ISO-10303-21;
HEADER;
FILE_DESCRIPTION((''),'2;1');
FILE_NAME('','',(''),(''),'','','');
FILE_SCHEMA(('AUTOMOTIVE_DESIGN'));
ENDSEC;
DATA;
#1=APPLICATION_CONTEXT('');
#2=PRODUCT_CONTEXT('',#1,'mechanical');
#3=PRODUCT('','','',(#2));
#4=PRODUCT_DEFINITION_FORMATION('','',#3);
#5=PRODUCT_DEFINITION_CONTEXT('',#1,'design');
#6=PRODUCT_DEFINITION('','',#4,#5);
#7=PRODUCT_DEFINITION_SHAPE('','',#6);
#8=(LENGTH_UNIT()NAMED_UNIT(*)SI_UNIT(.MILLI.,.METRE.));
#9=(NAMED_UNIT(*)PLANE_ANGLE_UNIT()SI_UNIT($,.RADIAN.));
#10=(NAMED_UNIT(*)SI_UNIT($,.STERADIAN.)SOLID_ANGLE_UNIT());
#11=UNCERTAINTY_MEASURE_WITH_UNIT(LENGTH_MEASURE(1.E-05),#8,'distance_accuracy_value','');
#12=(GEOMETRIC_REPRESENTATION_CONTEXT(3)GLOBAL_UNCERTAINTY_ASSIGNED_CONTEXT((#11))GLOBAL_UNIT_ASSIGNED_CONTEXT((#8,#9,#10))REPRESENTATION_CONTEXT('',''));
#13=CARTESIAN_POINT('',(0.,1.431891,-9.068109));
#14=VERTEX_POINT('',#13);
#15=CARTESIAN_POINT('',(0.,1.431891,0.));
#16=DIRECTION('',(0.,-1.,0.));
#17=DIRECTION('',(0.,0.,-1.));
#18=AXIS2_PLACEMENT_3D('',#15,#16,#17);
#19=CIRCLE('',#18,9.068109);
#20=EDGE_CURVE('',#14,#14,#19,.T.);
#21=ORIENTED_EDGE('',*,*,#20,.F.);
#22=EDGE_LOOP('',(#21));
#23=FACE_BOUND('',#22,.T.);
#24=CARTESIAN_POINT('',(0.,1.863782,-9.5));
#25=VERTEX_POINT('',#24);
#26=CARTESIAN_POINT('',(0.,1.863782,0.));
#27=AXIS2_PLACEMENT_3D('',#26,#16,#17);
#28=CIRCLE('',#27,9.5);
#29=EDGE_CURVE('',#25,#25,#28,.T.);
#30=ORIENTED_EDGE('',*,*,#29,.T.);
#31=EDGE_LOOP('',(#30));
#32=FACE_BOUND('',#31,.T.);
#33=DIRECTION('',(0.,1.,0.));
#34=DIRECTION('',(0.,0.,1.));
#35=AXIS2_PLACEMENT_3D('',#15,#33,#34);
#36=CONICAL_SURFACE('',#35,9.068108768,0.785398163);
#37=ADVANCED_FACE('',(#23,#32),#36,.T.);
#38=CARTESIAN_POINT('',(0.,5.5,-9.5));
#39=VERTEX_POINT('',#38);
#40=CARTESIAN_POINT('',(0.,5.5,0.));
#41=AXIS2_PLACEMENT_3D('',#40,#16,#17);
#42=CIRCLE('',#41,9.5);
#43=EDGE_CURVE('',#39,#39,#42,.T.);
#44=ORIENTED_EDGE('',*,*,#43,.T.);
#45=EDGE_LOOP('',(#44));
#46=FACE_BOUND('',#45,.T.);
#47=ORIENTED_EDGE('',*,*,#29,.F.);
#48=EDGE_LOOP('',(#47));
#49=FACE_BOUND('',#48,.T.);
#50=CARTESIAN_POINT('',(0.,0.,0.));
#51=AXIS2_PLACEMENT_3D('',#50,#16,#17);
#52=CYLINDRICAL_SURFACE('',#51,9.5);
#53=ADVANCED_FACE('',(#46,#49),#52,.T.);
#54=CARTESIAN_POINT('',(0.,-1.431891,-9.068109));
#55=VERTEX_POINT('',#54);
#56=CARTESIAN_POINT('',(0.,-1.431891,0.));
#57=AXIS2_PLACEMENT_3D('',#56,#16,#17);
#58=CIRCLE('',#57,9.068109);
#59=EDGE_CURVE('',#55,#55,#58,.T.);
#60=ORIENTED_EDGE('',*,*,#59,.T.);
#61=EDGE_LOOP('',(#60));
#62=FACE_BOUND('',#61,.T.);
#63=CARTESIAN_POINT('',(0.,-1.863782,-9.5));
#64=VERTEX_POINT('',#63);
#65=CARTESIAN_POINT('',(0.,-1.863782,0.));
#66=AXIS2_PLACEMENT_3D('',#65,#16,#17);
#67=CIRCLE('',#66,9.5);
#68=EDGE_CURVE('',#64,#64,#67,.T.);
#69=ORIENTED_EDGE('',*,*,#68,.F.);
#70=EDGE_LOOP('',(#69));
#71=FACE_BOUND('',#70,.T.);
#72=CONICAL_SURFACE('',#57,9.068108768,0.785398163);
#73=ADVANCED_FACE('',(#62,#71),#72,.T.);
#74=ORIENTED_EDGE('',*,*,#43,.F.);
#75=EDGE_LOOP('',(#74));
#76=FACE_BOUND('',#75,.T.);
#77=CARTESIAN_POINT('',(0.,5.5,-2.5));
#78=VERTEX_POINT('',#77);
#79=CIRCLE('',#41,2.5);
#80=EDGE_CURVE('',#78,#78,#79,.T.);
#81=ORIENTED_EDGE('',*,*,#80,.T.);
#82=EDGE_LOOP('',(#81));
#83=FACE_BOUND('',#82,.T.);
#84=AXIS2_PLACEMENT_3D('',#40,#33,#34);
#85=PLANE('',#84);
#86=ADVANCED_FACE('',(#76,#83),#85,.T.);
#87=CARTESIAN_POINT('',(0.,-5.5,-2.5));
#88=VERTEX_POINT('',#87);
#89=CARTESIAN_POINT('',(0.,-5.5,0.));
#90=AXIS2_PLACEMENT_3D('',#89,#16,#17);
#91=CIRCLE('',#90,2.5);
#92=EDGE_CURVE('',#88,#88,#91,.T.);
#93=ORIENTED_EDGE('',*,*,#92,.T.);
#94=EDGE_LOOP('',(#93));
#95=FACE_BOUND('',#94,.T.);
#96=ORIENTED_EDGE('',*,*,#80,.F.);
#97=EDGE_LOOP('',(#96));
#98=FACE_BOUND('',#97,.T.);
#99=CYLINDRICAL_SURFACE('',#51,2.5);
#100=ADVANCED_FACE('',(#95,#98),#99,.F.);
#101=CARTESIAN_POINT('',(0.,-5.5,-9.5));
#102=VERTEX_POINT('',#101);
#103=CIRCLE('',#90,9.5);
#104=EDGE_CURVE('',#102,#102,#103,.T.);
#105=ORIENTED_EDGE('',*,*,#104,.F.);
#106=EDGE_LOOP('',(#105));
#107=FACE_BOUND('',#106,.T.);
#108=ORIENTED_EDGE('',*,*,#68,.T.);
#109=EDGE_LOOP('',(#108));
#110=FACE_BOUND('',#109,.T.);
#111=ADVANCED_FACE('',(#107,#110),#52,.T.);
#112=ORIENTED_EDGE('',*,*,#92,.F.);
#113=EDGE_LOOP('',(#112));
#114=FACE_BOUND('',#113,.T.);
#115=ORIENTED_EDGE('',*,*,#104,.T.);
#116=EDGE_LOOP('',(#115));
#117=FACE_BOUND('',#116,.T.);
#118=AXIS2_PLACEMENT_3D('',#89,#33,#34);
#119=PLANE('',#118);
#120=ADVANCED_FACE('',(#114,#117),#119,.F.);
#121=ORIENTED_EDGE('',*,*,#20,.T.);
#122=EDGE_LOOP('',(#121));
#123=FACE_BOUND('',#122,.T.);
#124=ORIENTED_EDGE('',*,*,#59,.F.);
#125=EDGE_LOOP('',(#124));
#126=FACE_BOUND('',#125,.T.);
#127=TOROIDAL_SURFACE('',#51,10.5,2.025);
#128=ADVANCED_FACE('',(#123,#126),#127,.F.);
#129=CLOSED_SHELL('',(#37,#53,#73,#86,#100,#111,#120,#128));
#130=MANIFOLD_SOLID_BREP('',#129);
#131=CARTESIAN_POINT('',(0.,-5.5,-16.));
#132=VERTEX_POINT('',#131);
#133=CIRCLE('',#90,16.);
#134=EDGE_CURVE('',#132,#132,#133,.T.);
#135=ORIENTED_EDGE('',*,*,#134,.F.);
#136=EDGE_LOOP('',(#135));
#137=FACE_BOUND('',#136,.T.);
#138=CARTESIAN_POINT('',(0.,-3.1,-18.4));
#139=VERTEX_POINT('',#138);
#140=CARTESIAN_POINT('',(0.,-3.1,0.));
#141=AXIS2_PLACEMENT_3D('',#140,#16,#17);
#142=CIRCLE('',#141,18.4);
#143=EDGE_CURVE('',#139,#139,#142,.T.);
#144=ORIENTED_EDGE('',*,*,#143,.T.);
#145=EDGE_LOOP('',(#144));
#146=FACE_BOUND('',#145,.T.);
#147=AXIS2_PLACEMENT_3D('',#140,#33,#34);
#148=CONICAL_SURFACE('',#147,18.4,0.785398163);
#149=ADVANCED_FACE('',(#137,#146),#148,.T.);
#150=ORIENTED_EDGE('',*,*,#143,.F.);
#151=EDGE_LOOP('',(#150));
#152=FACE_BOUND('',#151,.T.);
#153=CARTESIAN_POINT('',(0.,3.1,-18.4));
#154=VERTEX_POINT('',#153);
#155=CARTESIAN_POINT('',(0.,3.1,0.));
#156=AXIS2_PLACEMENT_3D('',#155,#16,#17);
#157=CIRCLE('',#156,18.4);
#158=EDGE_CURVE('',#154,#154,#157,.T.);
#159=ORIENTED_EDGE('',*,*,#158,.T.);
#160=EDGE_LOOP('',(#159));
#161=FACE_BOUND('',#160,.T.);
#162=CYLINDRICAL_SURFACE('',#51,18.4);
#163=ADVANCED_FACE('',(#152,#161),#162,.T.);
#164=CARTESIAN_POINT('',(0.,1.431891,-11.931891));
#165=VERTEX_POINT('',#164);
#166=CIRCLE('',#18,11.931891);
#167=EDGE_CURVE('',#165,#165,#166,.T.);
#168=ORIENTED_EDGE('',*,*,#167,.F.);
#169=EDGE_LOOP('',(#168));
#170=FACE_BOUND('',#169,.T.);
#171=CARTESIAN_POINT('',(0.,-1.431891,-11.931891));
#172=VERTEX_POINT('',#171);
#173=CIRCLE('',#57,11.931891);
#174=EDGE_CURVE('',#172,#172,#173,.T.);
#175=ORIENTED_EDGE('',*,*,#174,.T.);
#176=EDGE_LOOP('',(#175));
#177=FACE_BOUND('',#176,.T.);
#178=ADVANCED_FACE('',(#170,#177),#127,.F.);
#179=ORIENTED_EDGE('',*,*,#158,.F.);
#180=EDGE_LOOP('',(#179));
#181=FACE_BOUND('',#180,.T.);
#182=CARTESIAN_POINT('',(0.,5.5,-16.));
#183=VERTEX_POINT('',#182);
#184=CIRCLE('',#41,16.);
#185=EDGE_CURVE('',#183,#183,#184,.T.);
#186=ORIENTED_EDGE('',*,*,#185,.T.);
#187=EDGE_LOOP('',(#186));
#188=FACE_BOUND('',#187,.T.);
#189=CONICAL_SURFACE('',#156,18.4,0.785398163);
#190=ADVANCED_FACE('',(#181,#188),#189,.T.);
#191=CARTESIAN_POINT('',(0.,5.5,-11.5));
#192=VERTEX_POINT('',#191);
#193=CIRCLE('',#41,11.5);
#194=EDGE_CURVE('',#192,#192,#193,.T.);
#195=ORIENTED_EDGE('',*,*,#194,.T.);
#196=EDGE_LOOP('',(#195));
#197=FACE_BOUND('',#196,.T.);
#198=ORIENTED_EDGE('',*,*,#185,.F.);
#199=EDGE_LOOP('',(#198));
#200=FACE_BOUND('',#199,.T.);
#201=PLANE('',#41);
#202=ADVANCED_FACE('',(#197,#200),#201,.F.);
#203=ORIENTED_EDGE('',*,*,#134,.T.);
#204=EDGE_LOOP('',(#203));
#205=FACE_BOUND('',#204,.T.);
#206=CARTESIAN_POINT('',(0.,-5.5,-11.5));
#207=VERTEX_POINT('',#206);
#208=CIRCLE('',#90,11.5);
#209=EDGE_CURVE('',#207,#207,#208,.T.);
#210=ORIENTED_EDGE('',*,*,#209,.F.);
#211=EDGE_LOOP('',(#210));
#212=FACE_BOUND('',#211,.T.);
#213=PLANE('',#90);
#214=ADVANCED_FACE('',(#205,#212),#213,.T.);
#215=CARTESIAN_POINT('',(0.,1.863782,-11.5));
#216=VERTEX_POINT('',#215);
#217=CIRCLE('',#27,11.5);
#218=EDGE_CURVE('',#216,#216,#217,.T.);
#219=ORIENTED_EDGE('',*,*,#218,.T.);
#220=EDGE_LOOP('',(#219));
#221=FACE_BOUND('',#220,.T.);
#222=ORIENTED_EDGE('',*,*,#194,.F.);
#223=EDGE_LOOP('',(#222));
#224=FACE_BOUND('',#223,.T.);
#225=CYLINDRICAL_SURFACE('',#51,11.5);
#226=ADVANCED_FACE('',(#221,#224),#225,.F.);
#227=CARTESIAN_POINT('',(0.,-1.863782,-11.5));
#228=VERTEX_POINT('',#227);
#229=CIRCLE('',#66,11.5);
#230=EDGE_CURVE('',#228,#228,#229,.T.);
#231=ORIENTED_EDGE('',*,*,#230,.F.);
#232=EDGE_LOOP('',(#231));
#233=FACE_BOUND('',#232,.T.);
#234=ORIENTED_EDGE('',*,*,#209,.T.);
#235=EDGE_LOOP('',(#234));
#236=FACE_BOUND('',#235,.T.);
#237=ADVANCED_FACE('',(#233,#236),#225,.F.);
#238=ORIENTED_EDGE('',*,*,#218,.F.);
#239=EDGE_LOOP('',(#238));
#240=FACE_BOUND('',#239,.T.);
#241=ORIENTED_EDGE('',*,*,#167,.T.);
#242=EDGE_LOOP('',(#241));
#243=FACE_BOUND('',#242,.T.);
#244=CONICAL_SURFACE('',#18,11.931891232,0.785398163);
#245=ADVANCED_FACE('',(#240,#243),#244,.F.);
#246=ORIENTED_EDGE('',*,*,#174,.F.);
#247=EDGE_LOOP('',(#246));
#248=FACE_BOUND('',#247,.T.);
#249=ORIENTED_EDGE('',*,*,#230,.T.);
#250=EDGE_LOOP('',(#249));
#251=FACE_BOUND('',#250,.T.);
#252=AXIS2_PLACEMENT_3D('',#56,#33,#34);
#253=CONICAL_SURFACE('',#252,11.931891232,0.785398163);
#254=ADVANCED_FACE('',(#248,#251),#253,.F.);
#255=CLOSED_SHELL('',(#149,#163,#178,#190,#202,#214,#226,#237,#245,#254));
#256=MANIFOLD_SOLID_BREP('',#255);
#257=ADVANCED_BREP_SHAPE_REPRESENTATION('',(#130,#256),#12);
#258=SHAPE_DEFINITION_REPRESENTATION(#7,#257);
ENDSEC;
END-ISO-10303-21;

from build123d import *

# Parameters (mm, degrees)
SKETCH2_W = 2.5
SKETCH2_H = 11


with BuildPart() as part:
    # Sketch2 → Revolve2 (revolve)
    with BuildSketch(Plane.XY, mode=Mode.PRIVATE) as revolve2_sk:
        with Locations((3.75, 0)):
            Rectangle(SKETCH2_W, SKETCH2_H)
        with BuildLine():
            Line((9.068108768, -1.431891232), (9.5, -1.863782464))
            Line((9.5, -1.863782464), (9.5, -5.5))
            Line((9.5, -5.5), (5, -5.5))
            Line((5, -5.5), (5, 5.5))
            Line((5, 5.5), (9.5, 5.5))
            Line((9.5, 5.5), (9.5, 1.863782464))
            Line((9.5, 1.863782464), (9.068108768, 1.431891232))
            ThreePointArc((9.068108768, 1.431891232), (8.475, 0), (9.068108768, -1.431891232))
        make_face()
        with BuildLine():
            ThreePointArc((11.931891232, -1.431891232), (12.525, 0), (11.931891232, 1.431891232))
            Line((11.931891232, 1.431891232), (11.5, 1.863782464))
            Line((11.5, 1.863782464), (11.5, 5.5))
            Line((11.5, 5.5), (16, 5.5))
            Line((16, 5.5), (16, -5.5))
            Line((16, -5.5), (11.5, -5.5))
            Line((11.5, -5.5), (11.5, -1.863782464))
            Line((11.5, -1.863782464), (11.931891232, -1.431891232))
        make_face()
        Polygon((18.4, -3.1), (16, -5.5), (16, 5.5), (18.4, 3.1), align=None)
    revolve(revolve2_sk.sketch.rotate(Axis((0, 0, 0), (0, 1, 0)), 90), axis=Axis((0, 0, 0), (0, 1, 0)))


solid = part.part
